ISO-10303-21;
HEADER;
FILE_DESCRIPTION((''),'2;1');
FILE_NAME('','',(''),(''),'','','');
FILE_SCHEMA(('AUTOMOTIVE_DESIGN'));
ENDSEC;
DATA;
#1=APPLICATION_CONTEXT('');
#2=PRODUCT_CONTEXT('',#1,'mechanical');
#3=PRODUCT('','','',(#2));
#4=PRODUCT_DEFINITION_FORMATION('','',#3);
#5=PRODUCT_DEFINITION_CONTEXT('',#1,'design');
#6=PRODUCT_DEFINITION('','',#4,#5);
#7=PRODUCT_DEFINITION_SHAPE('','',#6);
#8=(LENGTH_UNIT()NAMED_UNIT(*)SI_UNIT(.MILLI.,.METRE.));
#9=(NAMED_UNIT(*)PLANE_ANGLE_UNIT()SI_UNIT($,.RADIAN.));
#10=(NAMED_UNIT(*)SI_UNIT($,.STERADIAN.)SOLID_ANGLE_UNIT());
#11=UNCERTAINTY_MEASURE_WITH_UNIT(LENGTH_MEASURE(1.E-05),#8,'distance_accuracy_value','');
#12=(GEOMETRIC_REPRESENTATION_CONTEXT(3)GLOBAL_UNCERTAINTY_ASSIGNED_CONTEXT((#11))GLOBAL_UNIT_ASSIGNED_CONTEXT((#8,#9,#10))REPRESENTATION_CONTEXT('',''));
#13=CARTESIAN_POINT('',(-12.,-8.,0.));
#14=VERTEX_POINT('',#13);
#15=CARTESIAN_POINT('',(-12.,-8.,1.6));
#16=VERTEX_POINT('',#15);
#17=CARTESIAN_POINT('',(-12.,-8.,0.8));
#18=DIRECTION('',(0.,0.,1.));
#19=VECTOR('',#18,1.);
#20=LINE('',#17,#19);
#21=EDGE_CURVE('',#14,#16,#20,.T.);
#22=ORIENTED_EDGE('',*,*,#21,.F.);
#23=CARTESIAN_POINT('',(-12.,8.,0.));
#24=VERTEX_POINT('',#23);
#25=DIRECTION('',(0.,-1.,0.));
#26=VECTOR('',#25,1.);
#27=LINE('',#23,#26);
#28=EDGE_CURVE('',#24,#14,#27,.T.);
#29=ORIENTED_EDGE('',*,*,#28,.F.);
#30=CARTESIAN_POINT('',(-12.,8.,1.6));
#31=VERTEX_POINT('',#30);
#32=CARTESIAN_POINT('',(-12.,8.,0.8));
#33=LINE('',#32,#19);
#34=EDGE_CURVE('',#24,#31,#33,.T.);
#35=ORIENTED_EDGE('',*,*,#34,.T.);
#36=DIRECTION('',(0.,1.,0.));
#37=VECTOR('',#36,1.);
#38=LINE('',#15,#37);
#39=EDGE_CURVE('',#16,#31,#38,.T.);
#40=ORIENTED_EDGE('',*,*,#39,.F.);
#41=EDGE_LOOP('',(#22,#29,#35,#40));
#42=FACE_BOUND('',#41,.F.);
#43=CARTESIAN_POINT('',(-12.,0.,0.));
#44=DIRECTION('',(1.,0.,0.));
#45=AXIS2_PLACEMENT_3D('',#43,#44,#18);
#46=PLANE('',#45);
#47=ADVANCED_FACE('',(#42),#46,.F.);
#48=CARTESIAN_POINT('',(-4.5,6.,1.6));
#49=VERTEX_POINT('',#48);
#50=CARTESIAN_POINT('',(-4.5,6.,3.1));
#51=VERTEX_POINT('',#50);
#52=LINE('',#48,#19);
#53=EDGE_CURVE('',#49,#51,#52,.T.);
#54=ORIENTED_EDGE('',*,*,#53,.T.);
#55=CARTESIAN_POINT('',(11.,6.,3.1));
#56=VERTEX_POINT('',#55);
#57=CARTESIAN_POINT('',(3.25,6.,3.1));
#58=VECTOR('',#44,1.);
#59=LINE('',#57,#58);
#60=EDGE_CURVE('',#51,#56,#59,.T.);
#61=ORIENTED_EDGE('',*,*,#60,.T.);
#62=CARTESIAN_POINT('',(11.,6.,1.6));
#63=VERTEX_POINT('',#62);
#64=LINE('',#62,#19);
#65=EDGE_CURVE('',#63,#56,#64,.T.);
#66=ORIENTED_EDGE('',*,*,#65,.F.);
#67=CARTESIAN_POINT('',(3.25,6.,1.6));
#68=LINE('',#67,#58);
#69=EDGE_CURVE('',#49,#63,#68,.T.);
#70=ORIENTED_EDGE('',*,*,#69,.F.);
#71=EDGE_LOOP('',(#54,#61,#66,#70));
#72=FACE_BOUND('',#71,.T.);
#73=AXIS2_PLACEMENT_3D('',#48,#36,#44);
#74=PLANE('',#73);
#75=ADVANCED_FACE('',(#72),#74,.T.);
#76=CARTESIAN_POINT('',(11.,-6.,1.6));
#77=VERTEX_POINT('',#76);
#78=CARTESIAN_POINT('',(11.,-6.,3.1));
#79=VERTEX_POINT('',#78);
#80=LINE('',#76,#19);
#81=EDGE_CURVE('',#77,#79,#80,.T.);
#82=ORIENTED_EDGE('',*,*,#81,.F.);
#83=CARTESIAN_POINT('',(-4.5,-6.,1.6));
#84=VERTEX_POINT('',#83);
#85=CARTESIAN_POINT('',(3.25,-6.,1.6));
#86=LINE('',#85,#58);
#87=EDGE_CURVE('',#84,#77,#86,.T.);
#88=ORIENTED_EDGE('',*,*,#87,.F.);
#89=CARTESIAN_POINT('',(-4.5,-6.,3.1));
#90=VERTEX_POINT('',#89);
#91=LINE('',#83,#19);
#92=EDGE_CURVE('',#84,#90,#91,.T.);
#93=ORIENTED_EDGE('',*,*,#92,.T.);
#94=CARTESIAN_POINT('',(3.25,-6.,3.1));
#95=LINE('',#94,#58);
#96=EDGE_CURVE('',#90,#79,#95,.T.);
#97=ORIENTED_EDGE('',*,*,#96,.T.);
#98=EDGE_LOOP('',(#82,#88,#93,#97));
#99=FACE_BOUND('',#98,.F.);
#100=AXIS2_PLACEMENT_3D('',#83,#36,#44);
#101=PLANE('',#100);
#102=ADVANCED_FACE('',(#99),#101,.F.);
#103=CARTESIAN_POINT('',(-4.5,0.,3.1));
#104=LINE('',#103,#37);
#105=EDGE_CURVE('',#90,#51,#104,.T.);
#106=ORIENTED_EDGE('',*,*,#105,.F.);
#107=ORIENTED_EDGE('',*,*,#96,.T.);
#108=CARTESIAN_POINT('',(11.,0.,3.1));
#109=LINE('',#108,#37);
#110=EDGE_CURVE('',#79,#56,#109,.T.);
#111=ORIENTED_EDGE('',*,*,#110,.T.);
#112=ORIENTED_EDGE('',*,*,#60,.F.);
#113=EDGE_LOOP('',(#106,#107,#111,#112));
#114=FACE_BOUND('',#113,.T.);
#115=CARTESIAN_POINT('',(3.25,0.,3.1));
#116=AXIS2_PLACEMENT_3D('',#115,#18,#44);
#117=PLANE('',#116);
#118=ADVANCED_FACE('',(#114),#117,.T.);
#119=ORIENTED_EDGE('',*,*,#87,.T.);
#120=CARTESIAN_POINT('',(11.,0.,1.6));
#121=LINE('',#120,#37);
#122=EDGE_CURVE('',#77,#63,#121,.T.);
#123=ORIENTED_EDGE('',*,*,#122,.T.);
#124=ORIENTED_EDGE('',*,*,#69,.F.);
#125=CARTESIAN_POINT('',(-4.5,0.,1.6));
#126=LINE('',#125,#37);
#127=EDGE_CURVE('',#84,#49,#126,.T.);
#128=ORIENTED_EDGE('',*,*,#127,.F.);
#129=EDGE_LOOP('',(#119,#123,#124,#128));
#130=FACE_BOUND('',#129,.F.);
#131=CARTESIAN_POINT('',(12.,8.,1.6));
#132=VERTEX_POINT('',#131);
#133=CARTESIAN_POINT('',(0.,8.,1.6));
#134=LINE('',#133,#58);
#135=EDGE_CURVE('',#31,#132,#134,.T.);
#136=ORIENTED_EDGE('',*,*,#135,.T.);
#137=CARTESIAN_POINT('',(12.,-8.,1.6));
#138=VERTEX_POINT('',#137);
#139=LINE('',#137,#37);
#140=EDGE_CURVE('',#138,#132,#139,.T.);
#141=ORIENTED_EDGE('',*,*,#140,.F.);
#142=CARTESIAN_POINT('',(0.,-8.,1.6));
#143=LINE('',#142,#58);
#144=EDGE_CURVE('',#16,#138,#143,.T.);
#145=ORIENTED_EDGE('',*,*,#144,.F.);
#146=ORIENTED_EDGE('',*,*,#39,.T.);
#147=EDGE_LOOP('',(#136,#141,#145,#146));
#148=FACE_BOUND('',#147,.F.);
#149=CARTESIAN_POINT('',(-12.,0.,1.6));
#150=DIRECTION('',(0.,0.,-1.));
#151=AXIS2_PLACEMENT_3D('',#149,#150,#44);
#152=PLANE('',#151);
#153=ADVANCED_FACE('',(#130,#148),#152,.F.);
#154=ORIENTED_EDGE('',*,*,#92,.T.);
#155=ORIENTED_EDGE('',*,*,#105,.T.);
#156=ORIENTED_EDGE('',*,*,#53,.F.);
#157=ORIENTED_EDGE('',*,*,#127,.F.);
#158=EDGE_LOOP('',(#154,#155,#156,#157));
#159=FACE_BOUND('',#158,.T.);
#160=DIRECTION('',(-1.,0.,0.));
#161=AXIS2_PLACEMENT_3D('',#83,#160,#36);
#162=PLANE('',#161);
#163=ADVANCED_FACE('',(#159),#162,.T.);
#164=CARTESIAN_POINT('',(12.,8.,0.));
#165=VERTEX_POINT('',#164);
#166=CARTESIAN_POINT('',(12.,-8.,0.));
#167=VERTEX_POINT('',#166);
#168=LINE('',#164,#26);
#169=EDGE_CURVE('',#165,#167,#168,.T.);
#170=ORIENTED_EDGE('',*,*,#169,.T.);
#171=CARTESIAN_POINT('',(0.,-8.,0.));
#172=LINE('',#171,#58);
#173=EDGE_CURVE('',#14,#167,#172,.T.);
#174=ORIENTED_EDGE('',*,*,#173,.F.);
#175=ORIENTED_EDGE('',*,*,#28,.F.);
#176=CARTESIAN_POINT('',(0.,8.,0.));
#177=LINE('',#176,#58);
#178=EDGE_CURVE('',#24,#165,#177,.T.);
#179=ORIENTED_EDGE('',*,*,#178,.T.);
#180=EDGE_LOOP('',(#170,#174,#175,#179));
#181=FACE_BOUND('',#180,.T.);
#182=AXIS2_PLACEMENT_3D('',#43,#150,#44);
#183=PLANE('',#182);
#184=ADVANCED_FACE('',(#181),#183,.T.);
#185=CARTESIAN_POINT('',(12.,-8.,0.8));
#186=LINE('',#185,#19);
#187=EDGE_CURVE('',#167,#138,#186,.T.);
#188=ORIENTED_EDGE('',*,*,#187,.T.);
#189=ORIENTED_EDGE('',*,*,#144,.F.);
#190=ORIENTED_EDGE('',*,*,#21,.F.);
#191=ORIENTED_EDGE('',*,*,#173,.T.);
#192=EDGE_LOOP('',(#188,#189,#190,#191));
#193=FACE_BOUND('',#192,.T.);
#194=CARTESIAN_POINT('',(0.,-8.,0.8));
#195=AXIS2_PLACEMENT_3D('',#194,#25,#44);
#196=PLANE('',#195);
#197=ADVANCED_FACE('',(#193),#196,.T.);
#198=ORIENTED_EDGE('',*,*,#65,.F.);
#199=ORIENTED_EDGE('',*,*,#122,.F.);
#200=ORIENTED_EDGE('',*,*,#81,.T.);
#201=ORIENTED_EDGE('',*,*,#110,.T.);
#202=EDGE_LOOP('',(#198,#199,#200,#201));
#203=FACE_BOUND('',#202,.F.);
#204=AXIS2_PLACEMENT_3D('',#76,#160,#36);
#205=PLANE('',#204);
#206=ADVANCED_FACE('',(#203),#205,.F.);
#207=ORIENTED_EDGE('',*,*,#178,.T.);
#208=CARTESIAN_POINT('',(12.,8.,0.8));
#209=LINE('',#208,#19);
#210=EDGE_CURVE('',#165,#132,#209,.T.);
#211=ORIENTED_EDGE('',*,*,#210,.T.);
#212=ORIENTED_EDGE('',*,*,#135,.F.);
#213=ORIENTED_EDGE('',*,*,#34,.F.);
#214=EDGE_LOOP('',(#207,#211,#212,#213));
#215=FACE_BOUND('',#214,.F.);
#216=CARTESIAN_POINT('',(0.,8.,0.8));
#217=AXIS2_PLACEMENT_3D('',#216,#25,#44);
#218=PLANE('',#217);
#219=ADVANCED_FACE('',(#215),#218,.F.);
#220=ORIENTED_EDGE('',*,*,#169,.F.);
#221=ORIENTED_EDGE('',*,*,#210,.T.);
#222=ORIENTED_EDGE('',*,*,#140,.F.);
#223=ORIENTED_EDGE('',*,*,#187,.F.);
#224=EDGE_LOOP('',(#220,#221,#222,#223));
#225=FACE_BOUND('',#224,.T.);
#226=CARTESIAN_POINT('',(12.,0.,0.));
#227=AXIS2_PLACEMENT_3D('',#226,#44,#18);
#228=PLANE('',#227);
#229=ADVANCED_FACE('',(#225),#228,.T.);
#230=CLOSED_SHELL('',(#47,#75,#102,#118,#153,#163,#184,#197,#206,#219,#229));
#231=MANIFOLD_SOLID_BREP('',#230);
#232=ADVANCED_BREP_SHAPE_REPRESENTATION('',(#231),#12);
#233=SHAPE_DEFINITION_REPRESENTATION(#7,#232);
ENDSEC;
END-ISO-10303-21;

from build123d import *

# Parameters (mm, degrees)
F0_W     = 24
F0_H     = 1.6
F1_DEPTH = 8
F2_W     = 15.5
F2_H     = 12
F3_DEPTH = 1.5


with BuildPart() as f1:
    # F0 (on Front) → F1 (new body, symmetric)
    with BuildSketch(Plane.XZ):
        with Locations((0, 0.8)):
            Rectangle(F0_W, F0_H)
    extrude(amount=F1_DEPTH, both=True)

    # F2 (on face) → F3 (join)
    with BuildSketch(Plane.XY.offset(1.6)):
        with Locations((3.25, 0)):
            Rectangle(F2_W, F2_H)
    extrude(amount=F3_DEPTH)


solid = f1.part
